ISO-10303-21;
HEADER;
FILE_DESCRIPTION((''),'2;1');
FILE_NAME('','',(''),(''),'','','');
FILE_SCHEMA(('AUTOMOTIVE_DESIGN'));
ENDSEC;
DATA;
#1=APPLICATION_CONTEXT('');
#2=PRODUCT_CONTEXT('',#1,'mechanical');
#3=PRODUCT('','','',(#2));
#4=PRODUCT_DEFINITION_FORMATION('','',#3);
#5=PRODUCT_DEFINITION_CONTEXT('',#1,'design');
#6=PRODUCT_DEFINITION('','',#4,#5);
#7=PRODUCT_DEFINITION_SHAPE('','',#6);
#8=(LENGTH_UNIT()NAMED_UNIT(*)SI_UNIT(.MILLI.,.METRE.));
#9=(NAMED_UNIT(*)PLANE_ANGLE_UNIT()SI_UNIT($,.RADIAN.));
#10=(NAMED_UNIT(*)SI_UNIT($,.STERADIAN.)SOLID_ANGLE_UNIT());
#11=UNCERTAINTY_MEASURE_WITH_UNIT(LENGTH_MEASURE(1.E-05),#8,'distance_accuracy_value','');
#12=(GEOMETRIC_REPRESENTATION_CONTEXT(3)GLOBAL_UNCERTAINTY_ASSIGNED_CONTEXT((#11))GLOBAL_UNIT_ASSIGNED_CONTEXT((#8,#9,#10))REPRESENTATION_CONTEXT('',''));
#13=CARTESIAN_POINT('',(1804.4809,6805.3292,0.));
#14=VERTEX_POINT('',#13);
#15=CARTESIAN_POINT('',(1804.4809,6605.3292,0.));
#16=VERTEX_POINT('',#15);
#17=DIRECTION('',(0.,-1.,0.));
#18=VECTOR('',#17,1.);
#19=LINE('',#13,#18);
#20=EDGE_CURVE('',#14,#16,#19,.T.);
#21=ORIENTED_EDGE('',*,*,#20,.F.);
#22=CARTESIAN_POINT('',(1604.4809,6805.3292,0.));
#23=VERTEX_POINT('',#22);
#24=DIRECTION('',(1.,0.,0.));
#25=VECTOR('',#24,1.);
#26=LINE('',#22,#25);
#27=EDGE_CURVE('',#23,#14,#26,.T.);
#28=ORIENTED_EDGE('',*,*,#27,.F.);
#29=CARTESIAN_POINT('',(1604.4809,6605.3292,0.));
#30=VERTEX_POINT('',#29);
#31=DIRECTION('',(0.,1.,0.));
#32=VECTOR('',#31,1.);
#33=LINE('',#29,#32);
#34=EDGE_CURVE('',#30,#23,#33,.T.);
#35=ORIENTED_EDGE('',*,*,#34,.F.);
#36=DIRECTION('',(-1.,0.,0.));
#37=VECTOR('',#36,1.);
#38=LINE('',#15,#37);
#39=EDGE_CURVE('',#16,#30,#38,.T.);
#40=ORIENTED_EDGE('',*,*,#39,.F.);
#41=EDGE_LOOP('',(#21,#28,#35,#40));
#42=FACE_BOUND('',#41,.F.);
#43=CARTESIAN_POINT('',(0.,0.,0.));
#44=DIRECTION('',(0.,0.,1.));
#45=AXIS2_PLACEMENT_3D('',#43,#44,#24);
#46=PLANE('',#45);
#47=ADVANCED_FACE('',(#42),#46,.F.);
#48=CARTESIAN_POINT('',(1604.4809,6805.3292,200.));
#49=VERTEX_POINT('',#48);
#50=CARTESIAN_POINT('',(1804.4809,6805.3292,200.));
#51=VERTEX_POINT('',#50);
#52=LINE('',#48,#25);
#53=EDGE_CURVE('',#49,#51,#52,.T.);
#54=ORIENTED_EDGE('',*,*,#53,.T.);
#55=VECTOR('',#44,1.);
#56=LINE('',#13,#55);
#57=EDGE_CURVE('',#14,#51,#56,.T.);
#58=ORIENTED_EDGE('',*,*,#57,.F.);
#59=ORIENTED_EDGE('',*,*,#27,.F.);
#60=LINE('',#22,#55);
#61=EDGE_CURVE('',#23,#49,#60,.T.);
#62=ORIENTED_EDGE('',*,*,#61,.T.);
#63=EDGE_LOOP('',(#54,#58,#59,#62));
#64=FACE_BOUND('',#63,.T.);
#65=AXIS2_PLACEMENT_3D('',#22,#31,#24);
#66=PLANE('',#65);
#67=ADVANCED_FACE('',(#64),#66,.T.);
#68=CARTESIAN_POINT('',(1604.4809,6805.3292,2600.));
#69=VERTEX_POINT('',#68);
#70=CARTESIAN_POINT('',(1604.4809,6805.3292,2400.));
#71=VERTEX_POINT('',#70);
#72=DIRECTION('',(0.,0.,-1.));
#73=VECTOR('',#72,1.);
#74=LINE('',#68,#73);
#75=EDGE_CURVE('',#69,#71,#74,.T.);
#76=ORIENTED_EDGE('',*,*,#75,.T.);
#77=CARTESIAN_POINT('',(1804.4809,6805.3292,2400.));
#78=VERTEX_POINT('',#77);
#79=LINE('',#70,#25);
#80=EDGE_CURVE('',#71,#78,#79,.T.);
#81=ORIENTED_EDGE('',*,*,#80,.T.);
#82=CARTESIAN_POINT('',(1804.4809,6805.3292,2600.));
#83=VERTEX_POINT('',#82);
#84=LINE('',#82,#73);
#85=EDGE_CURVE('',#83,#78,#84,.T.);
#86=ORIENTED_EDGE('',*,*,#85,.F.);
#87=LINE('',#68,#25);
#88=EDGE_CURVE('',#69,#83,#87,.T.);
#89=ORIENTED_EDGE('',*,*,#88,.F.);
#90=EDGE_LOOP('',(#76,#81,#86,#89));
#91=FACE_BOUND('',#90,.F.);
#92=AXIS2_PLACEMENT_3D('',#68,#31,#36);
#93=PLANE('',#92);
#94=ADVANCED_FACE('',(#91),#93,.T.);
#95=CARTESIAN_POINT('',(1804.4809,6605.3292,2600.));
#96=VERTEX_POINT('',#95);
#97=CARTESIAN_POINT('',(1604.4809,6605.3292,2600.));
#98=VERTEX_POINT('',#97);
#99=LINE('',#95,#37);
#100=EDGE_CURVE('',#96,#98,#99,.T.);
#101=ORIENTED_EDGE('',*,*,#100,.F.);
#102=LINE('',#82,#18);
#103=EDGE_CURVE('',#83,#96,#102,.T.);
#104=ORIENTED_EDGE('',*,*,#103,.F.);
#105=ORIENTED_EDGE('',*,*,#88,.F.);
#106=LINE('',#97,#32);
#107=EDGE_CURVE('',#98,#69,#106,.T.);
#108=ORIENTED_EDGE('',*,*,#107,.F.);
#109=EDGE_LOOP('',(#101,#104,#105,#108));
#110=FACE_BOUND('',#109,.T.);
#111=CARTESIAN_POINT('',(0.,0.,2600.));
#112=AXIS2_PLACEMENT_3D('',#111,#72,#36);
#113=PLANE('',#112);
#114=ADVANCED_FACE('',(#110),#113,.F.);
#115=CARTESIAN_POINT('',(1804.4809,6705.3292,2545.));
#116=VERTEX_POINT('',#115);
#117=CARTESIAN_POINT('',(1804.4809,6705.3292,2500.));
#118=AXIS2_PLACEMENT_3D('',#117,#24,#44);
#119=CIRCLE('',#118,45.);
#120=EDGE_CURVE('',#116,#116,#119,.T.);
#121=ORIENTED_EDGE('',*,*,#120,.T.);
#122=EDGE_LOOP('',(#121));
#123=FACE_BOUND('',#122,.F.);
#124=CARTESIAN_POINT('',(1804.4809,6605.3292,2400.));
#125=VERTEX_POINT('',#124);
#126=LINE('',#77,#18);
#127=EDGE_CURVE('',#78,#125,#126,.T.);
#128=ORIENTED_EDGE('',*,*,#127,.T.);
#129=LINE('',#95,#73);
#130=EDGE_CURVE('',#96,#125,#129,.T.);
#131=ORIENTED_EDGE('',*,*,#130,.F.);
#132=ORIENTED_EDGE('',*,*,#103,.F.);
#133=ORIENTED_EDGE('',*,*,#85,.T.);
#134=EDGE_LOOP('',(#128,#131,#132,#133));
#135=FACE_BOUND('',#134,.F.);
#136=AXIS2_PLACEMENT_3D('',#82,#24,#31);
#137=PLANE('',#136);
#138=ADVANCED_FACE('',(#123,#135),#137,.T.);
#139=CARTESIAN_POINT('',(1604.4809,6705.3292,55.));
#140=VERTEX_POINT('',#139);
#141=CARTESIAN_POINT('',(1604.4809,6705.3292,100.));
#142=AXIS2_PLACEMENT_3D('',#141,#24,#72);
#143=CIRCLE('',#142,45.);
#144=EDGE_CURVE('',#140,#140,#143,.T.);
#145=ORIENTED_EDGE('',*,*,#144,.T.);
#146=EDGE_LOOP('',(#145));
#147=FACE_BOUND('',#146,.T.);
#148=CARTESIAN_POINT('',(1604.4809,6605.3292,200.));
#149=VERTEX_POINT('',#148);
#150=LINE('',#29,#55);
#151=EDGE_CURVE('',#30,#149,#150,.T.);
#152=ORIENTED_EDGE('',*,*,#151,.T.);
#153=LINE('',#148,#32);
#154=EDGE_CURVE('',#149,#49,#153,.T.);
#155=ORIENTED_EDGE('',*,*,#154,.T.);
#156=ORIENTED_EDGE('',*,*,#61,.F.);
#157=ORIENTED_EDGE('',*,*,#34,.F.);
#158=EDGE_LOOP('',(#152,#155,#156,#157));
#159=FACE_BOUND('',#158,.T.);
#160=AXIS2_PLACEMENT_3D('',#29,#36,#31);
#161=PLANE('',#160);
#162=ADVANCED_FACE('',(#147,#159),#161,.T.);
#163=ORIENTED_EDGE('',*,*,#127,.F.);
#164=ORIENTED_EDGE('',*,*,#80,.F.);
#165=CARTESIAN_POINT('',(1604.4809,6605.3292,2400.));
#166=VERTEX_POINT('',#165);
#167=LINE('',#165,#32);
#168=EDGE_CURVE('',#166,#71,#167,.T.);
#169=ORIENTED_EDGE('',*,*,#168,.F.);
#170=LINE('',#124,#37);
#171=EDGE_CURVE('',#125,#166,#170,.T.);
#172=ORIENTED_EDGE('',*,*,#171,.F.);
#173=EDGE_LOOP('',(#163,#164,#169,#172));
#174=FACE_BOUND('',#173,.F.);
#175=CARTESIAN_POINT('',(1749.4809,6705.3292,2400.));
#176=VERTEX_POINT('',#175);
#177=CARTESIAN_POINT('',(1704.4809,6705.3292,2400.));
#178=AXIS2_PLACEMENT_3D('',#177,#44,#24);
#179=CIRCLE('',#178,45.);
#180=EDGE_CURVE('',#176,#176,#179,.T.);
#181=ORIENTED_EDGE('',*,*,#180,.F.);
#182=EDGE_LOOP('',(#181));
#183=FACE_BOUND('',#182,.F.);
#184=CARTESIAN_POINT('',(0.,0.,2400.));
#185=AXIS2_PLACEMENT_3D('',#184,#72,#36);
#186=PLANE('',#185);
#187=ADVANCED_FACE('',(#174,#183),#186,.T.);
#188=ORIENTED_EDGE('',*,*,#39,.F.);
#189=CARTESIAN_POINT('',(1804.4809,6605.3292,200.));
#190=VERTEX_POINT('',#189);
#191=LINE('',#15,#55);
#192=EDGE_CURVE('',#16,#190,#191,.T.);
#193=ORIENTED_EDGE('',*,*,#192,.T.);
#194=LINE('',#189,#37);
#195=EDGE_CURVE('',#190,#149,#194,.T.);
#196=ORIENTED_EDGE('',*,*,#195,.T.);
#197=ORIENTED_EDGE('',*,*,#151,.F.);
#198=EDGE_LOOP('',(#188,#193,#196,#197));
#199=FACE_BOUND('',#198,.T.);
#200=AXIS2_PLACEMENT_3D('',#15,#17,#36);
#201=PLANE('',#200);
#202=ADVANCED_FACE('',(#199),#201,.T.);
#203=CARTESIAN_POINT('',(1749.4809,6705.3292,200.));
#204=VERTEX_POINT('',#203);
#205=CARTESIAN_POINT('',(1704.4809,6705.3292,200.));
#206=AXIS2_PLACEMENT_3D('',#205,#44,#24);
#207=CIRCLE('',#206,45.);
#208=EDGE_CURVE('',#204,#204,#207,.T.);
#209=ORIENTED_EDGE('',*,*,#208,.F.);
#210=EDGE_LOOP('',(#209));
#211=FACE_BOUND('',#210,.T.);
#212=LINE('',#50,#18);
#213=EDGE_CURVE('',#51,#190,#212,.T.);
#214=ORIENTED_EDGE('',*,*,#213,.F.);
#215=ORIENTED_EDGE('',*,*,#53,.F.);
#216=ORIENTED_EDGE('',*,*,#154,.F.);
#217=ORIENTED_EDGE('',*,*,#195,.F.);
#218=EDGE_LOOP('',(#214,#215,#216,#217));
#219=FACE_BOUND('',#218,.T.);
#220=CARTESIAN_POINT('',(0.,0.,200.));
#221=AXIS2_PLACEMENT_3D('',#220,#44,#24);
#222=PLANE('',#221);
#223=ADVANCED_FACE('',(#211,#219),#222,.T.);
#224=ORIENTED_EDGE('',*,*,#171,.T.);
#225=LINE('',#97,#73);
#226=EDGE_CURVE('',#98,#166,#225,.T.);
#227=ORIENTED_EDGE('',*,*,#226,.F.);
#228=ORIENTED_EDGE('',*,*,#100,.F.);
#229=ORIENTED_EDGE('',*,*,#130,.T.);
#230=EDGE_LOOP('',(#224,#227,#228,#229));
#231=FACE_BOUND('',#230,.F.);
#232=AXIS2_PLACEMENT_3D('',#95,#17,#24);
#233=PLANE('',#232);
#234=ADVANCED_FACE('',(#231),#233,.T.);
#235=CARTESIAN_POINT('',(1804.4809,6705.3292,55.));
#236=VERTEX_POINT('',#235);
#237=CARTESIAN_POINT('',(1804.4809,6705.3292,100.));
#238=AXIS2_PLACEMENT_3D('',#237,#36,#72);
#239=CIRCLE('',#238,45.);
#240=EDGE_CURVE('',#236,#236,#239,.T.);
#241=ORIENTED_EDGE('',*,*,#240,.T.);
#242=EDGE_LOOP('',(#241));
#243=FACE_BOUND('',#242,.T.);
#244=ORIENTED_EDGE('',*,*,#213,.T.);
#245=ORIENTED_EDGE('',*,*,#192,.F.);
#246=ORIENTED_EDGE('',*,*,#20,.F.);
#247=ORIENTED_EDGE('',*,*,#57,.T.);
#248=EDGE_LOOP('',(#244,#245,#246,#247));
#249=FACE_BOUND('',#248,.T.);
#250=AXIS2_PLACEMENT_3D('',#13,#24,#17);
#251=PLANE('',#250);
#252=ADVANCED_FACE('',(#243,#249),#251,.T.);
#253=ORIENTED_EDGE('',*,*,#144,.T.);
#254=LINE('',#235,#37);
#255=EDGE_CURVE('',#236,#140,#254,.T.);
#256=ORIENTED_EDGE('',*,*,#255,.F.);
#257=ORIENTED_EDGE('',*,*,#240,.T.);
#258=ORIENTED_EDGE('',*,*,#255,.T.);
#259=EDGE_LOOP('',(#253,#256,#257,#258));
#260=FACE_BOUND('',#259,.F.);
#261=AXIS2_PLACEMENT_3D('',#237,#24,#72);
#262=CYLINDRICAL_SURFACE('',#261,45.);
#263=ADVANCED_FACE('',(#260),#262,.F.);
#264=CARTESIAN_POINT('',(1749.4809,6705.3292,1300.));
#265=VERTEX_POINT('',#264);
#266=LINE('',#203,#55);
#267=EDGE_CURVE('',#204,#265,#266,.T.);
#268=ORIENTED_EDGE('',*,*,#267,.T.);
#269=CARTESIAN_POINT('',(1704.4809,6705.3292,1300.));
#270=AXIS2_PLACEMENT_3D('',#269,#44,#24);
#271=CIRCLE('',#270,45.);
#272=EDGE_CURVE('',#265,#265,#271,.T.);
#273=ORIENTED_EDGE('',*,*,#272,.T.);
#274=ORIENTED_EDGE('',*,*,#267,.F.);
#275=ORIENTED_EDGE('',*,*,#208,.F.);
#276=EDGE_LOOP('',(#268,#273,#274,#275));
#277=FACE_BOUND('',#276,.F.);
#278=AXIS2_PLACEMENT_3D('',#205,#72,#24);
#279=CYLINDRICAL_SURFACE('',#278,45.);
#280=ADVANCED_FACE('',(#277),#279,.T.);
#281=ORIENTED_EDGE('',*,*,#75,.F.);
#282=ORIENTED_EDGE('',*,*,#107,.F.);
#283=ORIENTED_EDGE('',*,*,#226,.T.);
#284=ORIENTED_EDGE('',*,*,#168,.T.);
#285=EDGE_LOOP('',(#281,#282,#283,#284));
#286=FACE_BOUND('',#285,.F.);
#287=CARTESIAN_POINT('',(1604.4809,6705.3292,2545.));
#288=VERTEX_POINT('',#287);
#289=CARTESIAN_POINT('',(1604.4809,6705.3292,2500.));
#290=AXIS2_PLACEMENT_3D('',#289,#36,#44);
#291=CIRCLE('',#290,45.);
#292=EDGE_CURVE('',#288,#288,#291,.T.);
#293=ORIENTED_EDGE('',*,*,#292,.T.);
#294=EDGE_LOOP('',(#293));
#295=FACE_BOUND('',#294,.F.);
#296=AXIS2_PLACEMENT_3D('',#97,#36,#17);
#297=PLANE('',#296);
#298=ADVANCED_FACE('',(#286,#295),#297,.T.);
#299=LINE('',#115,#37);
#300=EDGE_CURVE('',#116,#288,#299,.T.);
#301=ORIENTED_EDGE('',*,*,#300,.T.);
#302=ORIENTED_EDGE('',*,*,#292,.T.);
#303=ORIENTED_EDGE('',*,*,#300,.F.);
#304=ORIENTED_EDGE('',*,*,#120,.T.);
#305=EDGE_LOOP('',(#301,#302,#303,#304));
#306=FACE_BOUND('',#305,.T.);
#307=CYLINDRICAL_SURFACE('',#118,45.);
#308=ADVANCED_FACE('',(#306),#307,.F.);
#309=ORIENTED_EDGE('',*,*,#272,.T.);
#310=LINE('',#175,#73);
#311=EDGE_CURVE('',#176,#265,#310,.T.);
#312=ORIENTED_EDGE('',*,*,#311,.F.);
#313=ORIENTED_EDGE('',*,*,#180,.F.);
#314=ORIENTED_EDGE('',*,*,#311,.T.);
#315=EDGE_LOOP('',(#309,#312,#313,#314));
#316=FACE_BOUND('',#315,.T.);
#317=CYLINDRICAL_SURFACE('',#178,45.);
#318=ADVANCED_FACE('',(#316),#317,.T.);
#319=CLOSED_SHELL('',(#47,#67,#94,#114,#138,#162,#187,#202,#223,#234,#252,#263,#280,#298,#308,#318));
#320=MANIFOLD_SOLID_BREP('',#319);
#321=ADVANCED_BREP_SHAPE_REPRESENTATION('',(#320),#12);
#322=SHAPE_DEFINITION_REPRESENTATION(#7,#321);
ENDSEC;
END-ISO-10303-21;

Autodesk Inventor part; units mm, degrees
ref_plane "YZ Plane" through (0, 0, 0) normal (1, 0, 0) x (0, 1, 0)
ref_plane "XZ Plane" through (0, 0, 0) normal (0, 1, 0) x (-1, 0, 0)
ref_plane "XY Plane" through (0, 0, 0) normal (0, 0, 1) x (1, 0, 0)
sketch "Sketch1" plane through (0, 0, 0) normal (0, 0, 1) x (1, 0, 0)
  line L0 (1604.4809, 6805.3292) -> (1804.4809, 6805.3292)
  line L1 (1804.4809, 6805.3292) -> (1804.4809, 6605.3292)
  line L2 (1804.4809, 6605.3292) -> (1604.4809, 6605.3292)
  line L3 (1604.4809, 6605.3292) -> (1604.4809, 6805.3292)
  point P0 (0, 0)
  dimension "d0" = 200
  dimension "d1" = 200
extrude "Extrusion1" add sketch "Sketch1" along normal blind 200
sketch "Sketch2" plane through (0, 0, 200) normal (0, 0, 1) x (1, 0, 0)
  line L0 (1804.4809, 6805.3292) -> (1604.4809, 6805.3292) projected
  line L1 (1604.4809, 6605.3292) -> (1804.4809, 6605.3292) projected
  circle A0 centre (1704.4809, 6705.3292) radius 45
  point P0 (0, 0)
  dimension "d4" = 90
extrude "Extrusion2" add sketch "Sketch2" along normal blind 1100
sketch "Sketch4" plane through (1804.4809, 6605.3292, 0) normal (1, 0, 0) x (0, 0, -1)
  line L0 (0, 200) -> (-200, 200) projected
  line L1 (-100, 200) -> (-100, 0)
  line L2 (0, 0) -> (-200, 0) projected
  circle A0 centre (-100, 100) radius 45
  point P0 (0, -6605.3292)
  dimension "d12" = 90
extrude "Extrusion4" cut sketch "Sketch4" against normal blind 200
mirror "Mirror1" about plane through (1704.4809, 6705.3292, 1300) normal (0, 0, 1) of "Extrusion2", "Extrusion1", "Extrusion4"
thread "Thread1" size "M90x6" class "6g" standard "ISO Metric profile" full length
properties part number "srodek"
